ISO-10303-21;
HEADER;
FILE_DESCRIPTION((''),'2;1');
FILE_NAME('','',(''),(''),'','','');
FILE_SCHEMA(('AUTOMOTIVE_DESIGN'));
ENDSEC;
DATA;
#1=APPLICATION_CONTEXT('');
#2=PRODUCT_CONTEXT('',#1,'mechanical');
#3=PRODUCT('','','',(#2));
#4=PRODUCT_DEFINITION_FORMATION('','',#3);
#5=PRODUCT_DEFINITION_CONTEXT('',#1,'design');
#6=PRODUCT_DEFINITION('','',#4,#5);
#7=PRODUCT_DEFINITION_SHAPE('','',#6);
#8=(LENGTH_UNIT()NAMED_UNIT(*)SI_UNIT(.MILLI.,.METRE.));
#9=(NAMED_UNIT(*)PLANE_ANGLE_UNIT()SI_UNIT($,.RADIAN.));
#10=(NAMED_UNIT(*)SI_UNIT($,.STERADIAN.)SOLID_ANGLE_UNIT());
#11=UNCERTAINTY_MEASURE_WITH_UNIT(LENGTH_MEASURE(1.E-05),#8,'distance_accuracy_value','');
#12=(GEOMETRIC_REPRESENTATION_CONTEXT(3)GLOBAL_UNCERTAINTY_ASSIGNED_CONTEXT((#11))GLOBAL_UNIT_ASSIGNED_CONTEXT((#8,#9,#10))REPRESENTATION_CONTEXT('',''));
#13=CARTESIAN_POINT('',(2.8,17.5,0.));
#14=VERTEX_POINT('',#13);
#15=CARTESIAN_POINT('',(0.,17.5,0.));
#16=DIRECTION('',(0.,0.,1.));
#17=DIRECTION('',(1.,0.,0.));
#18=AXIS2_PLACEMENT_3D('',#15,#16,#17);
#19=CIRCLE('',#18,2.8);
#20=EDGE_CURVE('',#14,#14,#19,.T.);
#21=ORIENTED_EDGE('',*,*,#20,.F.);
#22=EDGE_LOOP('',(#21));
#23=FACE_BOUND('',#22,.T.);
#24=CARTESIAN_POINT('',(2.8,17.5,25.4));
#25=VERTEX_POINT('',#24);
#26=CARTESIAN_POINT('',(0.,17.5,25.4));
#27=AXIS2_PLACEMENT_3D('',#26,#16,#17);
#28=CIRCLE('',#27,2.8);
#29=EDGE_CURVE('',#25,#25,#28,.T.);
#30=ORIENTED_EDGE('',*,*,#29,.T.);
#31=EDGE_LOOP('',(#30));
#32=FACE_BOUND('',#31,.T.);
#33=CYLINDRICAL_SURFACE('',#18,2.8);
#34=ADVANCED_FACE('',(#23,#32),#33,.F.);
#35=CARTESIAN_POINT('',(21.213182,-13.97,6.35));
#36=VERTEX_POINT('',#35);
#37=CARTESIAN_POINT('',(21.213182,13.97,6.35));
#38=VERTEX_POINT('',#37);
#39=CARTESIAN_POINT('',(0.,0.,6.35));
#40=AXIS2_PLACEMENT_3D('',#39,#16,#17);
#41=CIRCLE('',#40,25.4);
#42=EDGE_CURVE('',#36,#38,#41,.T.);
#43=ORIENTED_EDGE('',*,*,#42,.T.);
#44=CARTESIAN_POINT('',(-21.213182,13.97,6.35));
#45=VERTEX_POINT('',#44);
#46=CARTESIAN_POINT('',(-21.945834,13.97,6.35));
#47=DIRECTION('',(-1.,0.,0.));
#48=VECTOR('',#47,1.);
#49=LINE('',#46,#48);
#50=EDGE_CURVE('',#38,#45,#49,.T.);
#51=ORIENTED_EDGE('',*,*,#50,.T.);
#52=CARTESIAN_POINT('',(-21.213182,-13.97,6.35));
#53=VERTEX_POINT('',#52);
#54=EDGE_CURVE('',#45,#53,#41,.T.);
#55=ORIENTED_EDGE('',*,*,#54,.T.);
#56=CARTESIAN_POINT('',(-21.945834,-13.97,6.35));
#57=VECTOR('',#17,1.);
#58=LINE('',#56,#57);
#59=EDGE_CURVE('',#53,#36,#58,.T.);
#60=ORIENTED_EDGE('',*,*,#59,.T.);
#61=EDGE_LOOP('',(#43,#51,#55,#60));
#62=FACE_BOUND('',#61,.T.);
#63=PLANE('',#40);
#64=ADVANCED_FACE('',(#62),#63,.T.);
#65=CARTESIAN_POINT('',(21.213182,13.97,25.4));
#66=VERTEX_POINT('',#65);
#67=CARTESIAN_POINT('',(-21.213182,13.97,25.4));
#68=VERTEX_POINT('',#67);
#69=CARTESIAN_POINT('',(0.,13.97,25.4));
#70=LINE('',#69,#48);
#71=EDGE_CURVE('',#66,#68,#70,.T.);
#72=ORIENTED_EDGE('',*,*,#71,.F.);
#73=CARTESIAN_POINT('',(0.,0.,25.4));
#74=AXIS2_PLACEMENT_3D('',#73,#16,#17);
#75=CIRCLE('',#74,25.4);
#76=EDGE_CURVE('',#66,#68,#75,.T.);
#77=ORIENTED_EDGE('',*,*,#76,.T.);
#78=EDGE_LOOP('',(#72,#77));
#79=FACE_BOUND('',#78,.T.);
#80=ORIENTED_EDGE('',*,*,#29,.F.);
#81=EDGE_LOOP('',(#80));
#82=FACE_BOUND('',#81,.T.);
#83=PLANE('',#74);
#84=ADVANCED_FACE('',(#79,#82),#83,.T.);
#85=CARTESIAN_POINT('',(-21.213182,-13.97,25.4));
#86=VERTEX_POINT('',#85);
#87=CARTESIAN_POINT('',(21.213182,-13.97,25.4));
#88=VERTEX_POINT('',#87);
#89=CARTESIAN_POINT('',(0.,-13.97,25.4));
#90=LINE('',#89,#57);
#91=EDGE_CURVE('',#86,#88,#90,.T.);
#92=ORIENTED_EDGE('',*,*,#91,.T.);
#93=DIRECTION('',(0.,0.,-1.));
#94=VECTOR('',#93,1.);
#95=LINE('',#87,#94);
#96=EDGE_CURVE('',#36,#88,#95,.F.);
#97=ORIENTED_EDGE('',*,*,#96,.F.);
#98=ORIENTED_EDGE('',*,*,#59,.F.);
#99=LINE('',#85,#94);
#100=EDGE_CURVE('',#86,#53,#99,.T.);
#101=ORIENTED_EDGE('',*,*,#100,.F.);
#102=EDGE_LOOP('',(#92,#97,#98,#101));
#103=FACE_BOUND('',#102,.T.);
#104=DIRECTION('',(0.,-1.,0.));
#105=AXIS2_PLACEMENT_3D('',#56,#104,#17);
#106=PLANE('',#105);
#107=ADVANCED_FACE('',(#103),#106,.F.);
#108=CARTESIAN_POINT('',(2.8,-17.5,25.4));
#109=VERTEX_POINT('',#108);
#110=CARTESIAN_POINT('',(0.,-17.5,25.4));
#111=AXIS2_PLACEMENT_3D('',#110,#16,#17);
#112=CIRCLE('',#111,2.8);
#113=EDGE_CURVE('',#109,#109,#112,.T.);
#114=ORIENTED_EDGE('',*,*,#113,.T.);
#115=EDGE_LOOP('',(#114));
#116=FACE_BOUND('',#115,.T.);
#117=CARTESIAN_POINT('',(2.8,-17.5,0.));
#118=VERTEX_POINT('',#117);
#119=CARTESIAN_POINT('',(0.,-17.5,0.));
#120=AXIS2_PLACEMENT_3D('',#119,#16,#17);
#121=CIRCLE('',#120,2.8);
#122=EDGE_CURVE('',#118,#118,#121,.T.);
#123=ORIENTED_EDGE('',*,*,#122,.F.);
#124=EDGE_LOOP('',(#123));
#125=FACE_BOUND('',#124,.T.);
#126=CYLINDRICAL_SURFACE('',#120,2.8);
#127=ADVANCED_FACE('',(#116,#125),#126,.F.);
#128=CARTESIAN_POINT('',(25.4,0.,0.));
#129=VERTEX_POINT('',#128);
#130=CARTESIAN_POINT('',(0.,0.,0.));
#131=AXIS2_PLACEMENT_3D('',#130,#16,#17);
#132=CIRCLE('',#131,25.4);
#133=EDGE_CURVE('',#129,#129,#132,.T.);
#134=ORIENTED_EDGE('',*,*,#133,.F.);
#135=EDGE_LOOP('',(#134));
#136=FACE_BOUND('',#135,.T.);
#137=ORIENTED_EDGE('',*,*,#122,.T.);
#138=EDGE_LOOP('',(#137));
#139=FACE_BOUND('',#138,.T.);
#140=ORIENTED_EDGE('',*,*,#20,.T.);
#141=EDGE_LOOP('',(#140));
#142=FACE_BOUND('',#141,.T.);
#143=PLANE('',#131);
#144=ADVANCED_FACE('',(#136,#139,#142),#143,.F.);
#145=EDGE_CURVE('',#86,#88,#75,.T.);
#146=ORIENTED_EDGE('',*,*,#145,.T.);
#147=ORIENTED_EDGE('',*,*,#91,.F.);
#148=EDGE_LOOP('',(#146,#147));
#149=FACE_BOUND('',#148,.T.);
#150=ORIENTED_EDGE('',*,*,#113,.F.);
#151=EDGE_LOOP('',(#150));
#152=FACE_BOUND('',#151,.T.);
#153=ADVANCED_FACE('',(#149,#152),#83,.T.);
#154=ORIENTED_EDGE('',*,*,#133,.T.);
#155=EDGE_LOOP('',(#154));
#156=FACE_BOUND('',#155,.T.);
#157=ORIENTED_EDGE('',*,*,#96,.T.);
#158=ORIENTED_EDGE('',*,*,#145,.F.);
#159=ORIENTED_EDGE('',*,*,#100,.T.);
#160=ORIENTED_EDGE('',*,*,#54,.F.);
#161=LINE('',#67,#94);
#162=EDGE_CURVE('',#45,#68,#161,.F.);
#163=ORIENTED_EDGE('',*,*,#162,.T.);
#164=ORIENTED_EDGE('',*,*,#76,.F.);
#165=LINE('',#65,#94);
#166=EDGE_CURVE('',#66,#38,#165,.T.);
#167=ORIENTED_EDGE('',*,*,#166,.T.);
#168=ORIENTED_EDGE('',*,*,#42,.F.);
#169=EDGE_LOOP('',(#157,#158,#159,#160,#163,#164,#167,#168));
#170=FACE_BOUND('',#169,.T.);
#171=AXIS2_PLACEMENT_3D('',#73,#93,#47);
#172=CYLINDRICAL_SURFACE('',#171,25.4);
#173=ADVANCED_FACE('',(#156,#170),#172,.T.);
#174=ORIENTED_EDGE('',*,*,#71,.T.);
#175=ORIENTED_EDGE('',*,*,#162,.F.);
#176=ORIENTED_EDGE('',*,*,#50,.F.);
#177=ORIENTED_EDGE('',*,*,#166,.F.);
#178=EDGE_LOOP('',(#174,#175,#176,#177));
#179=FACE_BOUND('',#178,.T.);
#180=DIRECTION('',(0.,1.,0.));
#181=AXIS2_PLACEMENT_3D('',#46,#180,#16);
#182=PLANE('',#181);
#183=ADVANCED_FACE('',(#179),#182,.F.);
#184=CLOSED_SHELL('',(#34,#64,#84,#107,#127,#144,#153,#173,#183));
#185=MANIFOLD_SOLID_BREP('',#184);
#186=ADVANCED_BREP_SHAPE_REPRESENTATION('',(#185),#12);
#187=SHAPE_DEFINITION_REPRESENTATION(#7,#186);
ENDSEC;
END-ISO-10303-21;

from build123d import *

# Parameters (mm, degrees)
SKETCH1_R           = 25.4
BOSS_EXTRUDE1_DEPTH = 25.4
CUT_EXTRUDE1_DEPTH  = 19.05
SKETCH3_R           = 2.8
CUT_EXTRUDE2_DEPTH  = 44.994090512


with BuildPart() as part:
    # Sketch1 → Boss-Extrude1 (new body)
    with BuildSketch(Plane.XY):
        Circle(SKETCH1_R)
    extrude(amount=BOSS_EXTRUDE1_DEPTH)

    # Sketch2 → Cut-Extrude1 (cut)
    with BuildSketch(Plane.XY.offset(25.4)):
        with BuildLine():
            Line((-21.945834457, 13.97), (21.945834457, 13.97))
            ThreePointArc((21.945834457, 13.97), (26.015006247, 0), (21.945834457, -13.97))
            Line((21.945834457, -13.97), (-21.945834457, -13.97))
            ThreePointArc((-21.945834457, -13.97), (-26.015006247, 0), (-21.945834457, 13.97))
        make_face()
    extrude(amount=-CUT_EXTRUDE1_DEPTH, mode=Mode.SUBTRACT)

    # Sketch3 → Cut-Extrude2 (cut, through all)
    with BuildSketch(Plane.XY.offset(25.4)):
        with Locations((0, 17.5)):
            Circle(SKETCH3_R)
        with Locations((0, -17.5)):
            Circle(SKETCH3_R)
    extrude(amount=-CUT_EXTRUDE2_DEPTH, mode=Mode.SUBTRACT)


solid = part.part
